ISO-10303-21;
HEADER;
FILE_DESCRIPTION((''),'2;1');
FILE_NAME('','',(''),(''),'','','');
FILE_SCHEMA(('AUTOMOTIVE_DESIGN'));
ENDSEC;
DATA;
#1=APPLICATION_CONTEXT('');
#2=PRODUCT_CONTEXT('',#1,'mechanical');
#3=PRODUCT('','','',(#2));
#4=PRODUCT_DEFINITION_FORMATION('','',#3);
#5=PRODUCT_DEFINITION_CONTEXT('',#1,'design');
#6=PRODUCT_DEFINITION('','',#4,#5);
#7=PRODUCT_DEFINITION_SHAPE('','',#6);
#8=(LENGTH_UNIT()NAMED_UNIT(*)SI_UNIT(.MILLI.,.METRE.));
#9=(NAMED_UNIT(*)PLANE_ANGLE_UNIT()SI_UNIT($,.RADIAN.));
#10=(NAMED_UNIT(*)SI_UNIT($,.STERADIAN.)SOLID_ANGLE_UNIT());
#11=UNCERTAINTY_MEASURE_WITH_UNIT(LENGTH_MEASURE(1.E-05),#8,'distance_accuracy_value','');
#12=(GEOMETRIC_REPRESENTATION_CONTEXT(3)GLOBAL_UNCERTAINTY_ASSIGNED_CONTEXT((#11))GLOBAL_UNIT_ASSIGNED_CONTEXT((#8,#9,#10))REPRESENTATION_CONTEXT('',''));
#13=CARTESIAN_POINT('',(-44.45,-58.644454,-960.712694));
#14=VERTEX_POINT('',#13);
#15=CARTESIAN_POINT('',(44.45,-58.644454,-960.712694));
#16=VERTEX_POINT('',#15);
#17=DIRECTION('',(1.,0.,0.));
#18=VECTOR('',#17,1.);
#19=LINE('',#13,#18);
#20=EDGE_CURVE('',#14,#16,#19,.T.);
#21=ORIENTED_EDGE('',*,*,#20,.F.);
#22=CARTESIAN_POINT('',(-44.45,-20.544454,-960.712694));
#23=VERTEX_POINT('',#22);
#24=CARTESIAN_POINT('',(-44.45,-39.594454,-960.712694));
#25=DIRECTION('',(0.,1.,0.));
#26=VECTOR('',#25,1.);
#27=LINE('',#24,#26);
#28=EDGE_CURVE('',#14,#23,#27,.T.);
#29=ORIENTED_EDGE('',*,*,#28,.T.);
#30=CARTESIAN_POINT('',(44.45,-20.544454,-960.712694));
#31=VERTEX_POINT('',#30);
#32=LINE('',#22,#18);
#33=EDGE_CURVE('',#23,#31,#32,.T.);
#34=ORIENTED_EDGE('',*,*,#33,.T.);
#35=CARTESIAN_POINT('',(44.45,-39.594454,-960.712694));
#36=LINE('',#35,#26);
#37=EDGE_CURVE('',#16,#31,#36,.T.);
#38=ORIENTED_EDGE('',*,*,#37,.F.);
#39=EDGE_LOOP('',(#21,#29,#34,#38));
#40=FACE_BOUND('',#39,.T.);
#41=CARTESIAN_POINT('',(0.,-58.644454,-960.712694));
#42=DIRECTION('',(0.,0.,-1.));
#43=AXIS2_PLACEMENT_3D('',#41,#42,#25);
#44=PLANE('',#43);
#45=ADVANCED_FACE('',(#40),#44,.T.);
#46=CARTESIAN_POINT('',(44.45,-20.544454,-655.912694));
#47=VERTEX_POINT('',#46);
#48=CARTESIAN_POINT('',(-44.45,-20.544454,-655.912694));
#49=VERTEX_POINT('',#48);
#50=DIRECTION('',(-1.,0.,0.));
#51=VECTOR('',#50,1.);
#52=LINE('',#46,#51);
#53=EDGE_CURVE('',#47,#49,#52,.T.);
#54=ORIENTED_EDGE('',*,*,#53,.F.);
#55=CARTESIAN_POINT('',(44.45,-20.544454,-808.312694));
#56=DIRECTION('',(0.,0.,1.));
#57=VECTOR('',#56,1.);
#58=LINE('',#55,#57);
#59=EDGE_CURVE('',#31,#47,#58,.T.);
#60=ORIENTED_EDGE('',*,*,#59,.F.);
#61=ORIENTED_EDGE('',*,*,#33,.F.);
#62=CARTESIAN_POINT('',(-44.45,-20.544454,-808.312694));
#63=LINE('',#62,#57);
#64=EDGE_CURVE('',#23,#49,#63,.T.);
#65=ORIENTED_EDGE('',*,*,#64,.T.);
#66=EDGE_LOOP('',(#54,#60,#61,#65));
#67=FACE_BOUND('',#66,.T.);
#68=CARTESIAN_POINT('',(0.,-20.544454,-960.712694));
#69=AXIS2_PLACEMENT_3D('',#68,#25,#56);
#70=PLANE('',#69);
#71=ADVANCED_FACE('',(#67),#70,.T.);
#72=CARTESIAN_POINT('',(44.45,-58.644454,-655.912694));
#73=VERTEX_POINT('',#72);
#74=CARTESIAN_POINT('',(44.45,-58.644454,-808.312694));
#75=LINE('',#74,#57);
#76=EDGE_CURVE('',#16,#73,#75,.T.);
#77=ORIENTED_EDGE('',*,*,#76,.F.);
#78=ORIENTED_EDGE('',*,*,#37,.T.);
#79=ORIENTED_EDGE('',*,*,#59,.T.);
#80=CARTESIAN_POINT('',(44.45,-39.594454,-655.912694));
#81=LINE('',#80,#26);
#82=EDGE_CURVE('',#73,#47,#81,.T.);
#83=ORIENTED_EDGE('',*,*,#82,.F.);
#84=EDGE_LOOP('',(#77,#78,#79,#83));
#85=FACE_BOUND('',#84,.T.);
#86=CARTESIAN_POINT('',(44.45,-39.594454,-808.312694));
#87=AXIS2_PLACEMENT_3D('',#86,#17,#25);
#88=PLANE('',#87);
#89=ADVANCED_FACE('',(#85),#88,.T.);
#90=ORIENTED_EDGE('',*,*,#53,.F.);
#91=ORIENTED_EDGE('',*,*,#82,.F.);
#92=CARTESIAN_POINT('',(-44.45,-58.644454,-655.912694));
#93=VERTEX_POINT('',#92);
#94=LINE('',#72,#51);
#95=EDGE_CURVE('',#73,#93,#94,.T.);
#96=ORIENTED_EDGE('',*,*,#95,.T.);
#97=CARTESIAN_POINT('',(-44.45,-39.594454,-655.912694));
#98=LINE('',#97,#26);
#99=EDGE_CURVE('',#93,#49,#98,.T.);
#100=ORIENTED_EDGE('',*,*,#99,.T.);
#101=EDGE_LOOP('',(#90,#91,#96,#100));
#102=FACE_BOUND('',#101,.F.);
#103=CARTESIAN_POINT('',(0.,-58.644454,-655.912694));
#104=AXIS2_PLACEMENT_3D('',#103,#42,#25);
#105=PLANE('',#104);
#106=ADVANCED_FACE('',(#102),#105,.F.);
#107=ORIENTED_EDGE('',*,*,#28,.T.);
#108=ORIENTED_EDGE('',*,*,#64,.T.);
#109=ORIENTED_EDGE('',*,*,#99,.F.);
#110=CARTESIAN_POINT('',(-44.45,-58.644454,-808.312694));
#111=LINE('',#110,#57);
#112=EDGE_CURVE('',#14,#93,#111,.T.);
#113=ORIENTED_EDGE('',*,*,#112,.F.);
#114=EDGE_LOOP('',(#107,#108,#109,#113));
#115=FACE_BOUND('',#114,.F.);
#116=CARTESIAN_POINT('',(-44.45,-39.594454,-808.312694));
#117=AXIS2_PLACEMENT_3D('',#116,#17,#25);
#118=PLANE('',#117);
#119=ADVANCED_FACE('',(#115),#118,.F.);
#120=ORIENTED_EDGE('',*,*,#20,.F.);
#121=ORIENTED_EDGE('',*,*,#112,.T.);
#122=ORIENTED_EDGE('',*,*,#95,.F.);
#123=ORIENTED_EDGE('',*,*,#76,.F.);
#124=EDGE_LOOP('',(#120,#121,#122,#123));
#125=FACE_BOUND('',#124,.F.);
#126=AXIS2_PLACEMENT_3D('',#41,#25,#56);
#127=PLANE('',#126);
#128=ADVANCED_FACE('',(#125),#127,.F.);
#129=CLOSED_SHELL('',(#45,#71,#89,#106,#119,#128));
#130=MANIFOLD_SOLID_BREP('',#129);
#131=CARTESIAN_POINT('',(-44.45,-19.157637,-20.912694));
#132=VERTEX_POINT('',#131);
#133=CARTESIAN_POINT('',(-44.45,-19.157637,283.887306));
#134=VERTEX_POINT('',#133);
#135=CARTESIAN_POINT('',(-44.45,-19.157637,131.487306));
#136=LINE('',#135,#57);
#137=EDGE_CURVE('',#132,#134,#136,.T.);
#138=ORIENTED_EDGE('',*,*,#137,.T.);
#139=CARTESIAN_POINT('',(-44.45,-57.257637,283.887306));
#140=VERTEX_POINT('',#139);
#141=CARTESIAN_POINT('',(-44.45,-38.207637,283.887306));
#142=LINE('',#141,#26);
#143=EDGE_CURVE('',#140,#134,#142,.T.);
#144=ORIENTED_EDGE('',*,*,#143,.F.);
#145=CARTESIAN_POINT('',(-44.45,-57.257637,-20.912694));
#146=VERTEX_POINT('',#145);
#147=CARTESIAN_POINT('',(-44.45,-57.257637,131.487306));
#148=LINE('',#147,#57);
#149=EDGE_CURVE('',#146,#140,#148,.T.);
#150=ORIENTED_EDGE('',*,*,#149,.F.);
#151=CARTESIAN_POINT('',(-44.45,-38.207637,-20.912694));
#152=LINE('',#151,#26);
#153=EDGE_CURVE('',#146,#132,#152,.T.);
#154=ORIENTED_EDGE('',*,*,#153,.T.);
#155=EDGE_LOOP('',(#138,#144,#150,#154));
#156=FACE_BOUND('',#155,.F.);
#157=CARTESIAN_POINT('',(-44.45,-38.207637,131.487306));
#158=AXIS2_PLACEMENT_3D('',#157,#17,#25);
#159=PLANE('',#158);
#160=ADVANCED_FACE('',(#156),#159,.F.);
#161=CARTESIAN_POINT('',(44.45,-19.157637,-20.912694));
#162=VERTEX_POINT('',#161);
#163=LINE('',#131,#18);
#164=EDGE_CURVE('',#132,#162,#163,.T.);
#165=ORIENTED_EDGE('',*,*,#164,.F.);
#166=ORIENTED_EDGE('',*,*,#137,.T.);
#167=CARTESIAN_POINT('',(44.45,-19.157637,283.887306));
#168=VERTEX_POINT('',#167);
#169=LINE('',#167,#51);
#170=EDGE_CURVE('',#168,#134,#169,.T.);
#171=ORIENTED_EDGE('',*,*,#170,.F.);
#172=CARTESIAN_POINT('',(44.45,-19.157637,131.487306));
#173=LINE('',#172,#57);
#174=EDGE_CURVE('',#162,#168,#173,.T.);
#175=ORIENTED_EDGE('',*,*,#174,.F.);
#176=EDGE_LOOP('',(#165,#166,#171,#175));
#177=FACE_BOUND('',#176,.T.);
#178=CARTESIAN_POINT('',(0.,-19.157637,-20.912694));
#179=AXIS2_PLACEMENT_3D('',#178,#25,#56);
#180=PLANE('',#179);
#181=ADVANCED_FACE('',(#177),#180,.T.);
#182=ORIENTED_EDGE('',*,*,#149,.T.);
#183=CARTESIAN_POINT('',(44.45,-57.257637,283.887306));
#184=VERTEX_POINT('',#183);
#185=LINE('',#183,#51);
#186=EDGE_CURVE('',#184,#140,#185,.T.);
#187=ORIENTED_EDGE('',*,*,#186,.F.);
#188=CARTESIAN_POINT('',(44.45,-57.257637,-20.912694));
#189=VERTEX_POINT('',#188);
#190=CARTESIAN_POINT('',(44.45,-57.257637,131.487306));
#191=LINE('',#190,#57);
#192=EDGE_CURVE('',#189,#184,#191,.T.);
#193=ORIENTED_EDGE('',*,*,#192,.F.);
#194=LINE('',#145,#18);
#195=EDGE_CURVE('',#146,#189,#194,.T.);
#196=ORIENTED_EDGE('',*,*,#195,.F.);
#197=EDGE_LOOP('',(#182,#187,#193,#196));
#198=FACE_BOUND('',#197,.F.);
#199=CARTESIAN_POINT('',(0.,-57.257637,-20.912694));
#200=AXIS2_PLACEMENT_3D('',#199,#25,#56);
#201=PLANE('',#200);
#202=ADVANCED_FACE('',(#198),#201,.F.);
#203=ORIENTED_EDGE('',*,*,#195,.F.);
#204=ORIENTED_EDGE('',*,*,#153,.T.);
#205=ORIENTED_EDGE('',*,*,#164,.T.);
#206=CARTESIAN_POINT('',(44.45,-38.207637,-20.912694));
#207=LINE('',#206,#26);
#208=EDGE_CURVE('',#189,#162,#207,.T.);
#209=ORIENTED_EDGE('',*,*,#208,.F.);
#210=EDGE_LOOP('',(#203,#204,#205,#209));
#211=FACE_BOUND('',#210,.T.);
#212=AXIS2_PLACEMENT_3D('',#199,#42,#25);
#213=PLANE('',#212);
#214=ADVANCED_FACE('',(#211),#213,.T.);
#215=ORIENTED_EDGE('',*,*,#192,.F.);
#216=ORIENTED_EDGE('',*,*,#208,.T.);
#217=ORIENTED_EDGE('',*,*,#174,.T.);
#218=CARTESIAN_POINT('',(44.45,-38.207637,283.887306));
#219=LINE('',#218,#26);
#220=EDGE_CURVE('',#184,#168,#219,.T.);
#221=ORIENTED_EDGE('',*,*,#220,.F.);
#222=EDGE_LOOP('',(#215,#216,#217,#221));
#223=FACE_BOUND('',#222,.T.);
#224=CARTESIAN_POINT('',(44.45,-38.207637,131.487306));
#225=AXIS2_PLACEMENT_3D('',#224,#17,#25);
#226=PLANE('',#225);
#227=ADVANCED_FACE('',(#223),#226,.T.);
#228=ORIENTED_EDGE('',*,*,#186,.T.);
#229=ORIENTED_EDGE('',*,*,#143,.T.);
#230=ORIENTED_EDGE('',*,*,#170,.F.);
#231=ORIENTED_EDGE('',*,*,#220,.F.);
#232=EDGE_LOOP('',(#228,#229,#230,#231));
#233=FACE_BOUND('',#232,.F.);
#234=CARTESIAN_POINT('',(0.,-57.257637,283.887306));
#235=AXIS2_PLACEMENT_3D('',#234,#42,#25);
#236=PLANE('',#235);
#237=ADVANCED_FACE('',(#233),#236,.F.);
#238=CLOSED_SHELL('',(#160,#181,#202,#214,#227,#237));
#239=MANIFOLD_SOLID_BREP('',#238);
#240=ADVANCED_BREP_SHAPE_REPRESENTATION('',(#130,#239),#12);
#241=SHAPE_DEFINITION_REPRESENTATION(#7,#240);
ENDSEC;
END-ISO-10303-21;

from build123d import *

# Parameters (mm, degrees)
F0_W     = 38.1
F0_H     = 304.8
F2_DEPTH = 44.45
F1_W     = 38.1
F1_H     = 304.8
F3_DEPTH = 44.45


with BuildPart() as f2:
    # F0 (on Right) → F2 (new body, symmetric)
    with BuildSketch(Plane.YZ):
        with Locations((-38.207637, 131.487306)):
            Rectangle(F0_W, F0_H)
    extrude(amount=F2_DEPTH, both=True)


with BuildPart() as f3:
    # F1 (on Right) → F3 (new body, symmetric)
    with BuildSketch(Plane.YZ):
        with Locations((-39.594454, -808.312694)):
            Rectangle(F1_W, F1_H)
    extrude(amount=F3_DEPTH, both=True)


solid = Compound([f2.part, f3.part])
